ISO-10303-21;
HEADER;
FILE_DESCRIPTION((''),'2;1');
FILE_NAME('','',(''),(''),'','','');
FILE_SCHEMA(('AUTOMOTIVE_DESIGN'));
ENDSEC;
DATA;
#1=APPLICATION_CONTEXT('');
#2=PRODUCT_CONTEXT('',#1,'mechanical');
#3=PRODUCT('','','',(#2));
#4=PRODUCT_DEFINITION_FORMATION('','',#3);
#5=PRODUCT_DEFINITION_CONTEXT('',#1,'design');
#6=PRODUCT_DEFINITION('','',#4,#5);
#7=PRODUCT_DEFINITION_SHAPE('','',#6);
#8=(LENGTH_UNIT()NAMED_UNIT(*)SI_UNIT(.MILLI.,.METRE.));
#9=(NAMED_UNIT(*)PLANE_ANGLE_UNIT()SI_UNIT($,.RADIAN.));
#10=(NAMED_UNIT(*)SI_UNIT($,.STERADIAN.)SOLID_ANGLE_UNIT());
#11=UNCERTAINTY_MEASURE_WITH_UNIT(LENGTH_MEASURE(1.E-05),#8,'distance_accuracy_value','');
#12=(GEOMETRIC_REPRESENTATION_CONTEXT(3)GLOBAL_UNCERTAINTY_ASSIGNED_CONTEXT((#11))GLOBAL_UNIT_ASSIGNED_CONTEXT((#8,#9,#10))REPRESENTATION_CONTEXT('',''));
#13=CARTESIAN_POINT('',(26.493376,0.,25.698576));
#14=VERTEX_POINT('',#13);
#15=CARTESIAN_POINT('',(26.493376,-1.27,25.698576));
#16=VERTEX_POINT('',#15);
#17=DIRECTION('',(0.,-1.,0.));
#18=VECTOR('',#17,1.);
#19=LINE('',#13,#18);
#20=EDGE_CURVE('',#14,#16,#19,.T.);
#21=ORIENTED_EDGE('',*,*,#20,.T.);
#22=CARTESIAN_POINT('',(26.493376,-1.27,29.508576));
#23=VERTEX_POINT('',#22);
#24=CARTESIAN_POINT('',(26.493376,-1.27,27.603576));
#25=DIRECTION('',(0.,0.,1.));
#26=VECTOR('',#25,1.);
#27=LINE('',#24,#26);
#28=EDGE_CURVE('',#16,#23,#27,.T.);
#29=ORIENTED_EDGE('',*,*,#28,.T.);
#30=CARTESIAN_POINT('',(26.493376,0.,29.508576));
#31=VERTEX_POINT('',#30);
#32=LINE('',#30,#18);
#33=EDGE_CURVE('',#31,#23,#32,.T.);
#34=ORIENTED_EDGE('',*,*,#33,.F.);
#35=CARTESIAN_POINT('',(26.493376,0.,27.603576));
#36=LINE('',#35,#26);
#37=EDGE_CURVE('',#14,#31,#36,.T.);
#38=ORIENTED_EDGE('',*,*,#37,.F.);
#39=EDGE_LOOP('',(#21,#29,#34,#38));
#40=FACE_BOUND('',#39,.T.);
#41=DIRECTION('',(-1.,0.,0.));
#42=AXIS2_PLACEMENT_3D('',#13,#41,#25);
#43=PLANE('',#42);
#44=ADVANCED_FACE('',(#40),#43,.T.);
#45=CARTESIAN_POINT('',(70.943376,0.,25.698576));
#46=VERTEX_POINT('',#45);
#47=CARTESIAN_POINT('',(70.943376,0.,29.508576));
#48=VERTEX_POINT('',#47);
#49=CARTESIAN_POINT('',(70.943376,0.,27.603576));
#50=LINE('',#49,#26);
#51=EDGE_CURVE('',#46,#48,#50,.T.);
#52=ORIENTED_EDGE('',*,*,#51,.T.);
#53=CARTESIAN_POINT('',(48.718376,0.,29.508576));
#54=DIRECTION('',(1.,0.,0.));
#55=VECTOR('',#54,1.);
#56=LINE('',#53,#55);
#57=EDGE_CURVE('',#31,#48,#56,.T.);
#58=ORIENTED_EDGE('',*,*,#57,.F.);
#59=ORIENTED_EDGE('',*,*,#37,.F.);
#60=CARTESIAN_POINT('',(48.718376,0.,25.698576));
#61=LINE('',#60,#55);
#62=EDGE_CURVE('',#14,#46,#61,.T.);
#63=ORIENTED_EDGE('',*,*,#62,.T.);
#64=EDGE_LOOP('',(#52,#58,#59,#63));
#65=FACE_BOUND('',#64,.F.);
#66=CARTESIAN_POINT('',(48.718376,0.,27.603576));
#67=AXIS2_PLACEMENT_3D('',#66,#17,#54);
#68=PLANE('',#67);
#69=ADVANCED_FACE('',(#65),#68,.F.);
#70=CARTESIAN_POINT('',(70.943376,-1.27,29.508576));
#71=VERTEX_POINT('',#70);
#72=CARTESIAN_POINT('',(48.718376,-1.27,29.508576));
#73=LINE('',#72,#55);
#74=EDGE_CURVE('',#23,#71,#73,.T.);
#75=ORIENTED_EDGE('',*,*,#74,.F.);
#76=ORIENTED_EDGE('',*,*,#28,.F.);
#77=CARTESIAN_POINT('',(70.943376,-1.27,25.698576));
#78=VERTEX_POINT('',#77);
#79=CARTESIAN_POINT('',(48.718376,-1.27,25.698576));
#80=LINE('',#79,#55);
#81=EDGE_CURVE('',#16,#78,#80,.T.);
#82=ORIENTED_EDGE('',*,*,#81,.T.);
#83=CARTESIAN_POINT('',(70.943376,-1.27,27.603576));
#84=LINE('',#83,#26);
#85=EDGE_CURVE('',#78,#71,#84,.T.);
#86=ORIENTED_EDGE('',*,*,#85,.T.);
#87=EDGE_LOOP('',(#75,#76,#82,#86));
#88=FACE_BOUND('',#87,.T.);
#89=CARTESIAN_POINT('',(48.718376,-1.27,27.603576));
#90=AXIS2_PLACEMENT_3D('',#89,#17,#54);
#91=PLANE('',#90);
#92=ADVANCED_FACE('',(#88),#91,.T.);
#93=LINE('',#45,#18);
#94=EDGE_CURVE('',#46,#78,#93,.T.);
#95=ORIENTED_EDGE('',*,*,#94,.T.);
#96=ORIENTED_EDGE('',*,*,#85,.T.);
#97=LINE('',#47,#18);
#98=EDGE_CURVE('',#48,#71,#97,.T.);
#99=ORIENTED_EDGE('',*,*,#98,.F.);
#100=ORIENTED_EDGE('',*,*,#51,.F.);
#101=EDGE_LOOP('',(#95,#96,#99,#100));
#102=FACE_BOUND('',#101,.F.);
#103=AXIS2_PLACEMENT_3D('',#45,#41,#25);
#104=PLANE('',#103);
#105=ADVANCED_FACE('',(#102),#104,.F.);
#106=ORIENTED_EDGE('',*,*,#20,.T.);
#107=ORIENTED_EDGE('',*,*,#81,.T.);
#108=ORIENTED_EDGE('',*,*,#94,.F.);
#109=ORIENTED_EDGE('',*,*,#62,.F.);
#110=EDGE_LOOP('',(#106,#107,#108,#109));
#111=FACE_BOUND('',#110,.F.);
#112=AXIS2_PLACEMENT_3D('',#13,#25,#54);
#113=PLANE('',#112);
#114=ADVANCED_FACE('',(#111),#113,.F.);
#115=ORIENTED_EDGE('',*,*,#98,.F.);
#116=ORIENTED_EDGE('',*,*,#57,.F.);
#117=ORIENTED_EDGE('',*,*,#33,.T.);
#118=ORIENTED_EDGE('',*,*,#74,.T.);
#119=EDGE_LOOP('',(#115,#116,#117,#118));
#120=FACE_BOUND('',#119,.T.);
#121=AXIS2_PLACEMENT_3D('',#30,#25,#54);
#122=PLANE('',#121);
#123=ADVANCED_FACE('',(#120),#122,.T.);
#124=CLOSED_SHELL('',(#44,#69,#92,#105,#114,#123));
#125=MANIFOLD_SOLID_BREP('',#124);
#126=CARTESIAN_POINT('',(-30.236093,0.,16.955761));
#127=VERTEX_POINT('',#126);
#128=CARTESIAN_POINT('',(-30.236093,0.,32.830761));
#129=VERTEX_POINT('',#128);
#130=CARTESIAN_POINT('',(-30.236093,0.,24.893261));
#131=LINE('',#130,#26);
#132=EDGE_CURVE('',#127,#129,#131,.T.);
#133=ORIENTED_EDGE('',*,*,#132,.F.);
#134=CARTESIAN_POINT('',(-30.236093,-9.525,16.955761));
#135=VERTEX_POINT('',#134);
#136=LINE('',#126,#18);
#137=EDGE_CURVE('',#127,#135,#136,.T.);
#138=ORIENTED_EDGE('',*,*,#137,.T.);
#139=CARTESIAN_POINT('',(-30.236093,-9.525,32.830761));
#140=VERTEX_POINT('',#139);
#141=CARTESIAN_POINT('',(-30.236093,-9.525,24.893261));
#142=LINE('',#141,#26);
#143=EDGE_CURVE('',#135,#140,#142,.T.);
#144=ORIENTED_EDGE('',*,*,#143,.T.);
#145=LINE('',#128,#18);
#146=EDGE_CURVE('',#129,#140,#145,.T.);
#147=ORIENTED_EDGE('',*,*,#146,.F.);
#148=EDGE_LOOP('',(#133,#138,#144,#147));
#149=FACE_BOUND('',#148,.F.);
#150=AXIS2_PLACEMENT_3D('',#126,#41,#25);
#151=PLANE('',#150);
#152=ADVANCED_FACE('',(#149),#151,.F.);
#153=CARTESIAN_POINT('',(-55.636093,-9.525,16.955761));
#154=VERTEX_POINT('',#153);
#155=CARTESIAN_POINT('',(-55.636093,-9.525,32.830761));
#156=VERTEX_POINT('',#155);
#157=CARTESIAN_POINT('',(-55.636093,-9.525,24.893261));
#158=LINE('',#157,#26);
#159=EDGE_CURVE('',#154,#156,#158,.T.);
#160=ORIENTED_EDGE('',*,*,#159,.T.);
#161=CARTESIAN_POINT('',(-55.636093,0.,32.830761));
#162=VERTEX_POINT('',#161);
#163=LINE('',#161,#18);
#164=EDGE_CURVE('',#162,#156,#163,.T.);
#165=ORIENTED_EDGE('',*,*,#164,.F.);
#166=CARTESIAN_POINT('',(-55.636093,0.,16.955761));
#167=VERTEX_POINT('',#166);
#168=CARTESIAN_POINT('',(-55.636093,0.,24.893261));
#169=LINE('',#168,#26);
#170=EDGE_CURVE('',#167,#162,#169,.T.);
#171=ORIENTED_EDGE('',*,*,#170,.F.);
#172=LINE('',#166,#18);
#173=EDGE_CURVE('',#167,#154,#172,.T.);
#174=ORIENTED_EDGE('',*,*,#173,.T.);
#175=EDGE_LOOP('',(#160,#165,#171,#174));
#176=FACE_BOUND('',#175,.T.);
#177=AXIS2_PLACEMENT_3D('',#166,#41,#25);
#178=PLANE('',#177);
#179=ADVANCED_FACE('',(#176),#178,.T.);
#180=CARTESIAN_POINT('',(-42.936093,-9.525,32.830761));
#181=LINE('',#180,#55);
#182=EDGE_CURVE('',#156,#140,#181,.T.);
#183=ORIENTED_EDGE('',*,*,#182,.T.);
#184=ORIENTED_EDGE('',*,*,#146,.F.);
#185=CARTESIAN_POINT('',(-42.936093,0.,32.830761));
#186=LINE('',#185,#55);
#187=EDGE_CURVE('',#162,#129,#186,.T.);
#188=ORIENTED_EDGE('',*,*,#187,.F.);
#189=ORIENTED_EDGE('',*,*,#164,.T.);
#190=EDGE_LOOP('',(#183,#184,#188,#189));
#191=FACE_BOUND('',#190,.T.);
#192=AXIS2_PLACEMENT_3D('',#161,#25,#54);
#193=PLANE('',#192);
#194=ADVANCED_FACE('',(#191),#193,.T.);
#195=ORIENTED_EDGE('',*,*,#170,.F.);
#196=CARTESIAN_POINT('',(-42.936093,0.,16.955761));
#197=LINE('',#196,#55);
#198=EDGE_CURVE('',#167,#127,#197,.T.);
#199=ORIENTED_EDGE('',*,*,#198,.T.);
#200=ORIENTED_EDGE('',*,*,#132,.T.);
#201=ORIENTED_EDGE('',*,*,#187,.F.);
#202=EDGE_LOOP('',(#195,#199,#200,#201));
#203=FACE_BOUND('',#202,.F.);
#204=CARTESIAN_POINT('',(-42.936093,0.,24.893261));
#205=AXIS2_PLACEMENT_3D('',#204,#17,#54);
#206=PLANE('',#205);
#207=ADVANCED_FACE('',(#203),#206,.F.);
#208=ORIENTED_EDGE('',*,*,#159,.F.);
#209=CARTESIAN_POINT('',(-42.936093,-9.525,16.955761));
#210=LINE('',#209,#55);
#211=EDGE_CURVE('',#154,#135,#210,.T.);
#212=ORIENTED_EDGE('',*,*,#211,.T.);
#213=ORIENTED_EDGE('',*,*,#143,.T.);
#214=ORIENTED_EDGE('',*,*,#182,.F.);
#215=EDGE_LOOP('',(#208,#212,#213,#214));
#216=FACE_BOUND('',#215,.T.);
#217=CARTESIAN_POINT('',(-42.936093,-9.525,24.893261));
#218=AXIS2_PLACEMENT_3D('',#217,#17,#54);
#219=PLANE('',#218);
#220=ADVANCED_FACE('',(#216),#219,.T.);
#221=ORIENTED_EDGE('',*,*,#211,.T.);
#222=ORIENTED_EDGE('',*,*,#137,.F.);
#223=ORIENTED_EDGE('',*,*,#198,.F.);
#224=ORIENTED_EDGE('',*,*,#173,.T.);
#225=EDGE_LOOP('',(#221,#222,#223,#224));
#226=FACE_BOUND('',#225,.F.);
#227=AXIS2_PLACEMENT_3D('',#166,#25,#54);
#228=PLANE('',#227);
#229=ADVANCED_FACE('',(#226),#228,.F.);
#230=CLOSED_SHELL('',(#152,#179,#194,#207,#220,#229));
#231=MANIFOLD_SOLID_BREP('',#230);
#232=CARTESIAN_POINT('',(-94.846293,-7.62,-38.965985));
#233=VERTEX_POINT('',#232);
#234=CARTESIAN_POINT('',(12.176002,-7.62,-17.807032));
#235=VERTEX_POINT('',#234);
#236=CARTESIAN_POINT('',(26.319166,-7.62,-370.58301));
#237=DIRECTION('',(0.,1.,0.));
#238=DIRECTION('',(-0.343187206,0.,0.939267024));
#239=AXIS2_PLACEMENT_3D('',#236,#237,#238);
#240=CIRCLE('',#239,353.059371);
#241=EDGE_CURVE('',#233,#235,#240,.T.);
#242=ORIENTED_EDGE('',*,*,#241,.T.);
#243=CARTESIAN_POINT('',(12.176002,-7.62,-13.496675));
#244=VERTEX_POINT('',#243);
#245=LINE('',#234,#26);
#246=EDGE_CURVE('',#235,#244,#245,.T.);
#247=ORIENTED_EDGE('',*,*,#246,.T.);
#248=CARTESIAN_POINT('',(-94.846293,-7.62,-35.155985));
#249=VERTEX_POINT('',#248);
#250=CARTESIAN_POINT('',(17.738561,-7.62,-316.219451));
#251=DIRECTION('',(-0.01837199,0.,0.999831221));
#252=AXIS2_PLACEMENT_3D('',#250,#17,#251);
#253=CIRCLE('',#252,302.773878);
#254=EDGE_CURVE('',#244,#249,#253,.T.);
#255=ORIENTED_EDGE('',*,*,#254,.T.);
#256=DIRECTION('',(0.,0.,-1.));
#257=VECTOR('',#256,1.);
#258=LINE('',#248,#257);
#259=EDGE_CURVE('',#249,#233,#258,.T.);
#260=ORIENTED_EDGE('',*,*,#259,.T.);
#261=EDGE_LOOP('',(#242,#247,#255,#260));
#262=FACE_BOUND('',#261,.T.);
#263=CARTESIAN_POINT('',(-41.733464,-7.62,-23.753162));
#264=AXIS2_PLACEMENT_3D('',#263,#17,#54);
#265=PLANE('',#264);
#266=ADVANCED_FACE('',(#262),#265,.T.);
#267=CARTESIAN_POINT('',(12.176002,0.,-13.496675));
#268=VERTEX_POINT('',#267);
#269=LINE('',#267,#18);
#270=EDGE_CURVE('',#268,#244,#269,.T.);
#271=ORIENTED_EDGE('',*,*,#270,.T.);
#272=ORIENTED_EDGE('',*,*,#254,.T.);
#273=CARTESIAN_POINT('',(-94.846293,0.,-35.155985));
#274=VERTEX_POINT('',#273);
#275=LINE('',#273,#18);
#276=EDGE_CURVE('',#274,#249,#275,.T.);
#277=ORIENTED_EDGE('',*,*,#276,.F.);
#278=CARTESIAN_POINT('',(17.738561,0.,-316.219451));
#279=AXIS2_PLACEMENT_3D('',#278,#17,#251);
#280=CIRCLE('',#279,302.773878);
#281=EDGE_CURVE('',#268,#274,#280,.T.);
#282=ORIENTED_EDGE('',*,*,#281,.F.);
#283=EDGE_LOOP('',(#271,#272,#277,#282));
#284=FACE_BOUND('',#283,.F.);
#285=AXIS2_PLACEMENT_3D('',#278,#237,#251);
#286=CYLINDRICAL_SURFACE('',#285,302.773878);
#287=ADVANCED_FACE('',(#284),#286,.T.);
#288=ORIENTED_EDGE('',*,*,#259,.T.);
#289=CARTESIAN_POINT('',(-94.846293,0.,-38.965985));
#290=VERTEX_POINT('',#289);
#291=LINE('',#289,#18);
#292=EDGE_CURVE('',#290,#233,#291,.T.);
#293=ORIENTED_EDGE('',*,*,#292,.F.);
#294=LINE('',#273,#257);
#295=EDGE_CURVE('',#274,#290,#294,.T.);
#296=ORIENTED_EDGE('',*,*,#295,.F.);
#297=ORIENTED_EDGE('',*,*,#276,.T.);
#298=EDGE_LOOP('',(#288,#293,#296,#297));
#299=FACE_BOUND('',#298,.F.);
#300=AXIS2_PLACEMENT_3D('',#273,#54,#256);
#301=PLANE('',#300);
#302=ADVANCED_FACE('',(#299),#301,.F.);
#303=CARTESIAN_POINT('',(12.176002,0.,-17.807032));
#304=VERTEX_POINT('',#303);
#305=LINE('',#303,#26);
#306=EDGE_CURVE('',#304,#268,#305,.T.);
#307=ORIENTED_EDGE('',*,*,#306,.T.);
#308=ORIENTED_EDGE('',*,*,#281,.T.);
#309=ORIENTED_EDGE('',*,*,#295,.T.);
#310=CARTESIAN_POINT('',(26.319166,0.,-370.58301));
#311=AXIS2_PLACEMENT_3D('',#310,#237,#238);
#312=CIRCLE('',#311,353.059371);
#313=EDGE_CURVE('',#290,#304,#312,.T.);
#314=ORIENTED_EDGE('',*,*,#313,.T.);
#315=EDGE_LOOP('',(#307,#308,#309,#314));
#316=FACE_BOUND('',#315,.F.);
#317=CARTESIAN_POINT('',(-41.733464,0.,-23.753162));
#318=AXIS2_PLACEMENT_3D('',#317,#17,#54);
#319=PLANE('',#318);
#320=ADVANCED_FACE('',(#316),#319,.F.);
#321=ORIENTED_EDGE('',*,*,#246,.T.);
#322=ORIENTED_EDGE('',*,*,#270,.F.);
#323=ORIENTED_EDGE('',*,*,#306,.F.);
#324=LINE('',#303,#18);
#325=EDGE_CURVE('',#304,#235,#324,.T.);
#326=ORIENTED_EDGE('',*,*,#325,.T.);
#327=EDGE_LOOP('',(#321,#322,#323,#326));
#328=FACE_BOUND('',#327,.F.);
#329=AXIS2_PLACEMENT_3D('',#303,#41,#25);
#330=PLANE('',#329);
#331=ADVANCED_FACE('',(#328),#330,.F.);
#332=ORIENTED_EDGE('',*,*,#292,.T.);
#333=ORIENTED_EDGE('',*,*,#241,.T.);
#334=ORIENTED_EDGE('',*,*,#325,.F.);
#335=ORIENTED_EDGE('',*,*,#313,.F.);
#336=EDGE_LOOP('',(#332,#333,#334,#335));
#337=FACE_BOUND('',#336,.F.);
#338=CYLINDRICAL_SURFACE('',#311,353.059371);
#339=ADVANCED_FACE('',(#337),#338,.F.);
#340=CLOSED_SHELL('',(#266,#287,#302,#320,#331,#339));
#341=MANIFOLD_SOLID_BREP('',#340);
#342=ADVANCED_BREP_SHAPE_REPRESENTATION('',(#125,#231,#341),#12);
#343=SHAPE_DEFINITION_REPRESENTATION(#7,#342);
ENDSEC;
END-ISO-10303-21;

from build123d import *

# Parameters (mm, degrees)
F0_W     = 25.4
F0_H     = 15.875
F1_DEPTH = 9.525
F2_W     = 44.45
F2_H     = 3.81
F3_DEPTH = 1.27
F5_DEPTH = 7.62


with BuildPart() as f1:
    # F0 (on Front) → F1 (new body)
    with BuildSketch(Plane.XZ):
        with Locations((-42.936093, 24.893261)):
            Rectangle(F0_W, F0_H)
    extrude(amount=F1_DEPTH)


with BuildPart() as f3:
    # F2 (on Front) → F3 (new body)
    with BuildSketch(Plane.XZ):
        with Locations((48.718376, 27.603576)):
            Rectangle(F2_W, F2_H)
    extrude(amount=F3_DEPTH)


with BuildPart() as f5:
    # F4 (on Front) → F5 (new body)
    with BuildSketch(Plane.XZ):
        with BuildLine():
            Line((-94.846293, -35.155985), (-94.846293, -38.965985))
            ThreePointArc((-94.846293, -38.965985), (-42.157335, -24.227862), (12.176002, -17.807032))
            Line((12.176002, -17.807032), (12.176002, -13.496675))
            ThreePointArc((12.176002, -13.496675), (-42.319613, -19.461912), (-94.846293, -35.155985))
        make_face()
    extrude(amount=F5_DEPTH)


solid = Compound([f1.part, f3.part, f5.part])
